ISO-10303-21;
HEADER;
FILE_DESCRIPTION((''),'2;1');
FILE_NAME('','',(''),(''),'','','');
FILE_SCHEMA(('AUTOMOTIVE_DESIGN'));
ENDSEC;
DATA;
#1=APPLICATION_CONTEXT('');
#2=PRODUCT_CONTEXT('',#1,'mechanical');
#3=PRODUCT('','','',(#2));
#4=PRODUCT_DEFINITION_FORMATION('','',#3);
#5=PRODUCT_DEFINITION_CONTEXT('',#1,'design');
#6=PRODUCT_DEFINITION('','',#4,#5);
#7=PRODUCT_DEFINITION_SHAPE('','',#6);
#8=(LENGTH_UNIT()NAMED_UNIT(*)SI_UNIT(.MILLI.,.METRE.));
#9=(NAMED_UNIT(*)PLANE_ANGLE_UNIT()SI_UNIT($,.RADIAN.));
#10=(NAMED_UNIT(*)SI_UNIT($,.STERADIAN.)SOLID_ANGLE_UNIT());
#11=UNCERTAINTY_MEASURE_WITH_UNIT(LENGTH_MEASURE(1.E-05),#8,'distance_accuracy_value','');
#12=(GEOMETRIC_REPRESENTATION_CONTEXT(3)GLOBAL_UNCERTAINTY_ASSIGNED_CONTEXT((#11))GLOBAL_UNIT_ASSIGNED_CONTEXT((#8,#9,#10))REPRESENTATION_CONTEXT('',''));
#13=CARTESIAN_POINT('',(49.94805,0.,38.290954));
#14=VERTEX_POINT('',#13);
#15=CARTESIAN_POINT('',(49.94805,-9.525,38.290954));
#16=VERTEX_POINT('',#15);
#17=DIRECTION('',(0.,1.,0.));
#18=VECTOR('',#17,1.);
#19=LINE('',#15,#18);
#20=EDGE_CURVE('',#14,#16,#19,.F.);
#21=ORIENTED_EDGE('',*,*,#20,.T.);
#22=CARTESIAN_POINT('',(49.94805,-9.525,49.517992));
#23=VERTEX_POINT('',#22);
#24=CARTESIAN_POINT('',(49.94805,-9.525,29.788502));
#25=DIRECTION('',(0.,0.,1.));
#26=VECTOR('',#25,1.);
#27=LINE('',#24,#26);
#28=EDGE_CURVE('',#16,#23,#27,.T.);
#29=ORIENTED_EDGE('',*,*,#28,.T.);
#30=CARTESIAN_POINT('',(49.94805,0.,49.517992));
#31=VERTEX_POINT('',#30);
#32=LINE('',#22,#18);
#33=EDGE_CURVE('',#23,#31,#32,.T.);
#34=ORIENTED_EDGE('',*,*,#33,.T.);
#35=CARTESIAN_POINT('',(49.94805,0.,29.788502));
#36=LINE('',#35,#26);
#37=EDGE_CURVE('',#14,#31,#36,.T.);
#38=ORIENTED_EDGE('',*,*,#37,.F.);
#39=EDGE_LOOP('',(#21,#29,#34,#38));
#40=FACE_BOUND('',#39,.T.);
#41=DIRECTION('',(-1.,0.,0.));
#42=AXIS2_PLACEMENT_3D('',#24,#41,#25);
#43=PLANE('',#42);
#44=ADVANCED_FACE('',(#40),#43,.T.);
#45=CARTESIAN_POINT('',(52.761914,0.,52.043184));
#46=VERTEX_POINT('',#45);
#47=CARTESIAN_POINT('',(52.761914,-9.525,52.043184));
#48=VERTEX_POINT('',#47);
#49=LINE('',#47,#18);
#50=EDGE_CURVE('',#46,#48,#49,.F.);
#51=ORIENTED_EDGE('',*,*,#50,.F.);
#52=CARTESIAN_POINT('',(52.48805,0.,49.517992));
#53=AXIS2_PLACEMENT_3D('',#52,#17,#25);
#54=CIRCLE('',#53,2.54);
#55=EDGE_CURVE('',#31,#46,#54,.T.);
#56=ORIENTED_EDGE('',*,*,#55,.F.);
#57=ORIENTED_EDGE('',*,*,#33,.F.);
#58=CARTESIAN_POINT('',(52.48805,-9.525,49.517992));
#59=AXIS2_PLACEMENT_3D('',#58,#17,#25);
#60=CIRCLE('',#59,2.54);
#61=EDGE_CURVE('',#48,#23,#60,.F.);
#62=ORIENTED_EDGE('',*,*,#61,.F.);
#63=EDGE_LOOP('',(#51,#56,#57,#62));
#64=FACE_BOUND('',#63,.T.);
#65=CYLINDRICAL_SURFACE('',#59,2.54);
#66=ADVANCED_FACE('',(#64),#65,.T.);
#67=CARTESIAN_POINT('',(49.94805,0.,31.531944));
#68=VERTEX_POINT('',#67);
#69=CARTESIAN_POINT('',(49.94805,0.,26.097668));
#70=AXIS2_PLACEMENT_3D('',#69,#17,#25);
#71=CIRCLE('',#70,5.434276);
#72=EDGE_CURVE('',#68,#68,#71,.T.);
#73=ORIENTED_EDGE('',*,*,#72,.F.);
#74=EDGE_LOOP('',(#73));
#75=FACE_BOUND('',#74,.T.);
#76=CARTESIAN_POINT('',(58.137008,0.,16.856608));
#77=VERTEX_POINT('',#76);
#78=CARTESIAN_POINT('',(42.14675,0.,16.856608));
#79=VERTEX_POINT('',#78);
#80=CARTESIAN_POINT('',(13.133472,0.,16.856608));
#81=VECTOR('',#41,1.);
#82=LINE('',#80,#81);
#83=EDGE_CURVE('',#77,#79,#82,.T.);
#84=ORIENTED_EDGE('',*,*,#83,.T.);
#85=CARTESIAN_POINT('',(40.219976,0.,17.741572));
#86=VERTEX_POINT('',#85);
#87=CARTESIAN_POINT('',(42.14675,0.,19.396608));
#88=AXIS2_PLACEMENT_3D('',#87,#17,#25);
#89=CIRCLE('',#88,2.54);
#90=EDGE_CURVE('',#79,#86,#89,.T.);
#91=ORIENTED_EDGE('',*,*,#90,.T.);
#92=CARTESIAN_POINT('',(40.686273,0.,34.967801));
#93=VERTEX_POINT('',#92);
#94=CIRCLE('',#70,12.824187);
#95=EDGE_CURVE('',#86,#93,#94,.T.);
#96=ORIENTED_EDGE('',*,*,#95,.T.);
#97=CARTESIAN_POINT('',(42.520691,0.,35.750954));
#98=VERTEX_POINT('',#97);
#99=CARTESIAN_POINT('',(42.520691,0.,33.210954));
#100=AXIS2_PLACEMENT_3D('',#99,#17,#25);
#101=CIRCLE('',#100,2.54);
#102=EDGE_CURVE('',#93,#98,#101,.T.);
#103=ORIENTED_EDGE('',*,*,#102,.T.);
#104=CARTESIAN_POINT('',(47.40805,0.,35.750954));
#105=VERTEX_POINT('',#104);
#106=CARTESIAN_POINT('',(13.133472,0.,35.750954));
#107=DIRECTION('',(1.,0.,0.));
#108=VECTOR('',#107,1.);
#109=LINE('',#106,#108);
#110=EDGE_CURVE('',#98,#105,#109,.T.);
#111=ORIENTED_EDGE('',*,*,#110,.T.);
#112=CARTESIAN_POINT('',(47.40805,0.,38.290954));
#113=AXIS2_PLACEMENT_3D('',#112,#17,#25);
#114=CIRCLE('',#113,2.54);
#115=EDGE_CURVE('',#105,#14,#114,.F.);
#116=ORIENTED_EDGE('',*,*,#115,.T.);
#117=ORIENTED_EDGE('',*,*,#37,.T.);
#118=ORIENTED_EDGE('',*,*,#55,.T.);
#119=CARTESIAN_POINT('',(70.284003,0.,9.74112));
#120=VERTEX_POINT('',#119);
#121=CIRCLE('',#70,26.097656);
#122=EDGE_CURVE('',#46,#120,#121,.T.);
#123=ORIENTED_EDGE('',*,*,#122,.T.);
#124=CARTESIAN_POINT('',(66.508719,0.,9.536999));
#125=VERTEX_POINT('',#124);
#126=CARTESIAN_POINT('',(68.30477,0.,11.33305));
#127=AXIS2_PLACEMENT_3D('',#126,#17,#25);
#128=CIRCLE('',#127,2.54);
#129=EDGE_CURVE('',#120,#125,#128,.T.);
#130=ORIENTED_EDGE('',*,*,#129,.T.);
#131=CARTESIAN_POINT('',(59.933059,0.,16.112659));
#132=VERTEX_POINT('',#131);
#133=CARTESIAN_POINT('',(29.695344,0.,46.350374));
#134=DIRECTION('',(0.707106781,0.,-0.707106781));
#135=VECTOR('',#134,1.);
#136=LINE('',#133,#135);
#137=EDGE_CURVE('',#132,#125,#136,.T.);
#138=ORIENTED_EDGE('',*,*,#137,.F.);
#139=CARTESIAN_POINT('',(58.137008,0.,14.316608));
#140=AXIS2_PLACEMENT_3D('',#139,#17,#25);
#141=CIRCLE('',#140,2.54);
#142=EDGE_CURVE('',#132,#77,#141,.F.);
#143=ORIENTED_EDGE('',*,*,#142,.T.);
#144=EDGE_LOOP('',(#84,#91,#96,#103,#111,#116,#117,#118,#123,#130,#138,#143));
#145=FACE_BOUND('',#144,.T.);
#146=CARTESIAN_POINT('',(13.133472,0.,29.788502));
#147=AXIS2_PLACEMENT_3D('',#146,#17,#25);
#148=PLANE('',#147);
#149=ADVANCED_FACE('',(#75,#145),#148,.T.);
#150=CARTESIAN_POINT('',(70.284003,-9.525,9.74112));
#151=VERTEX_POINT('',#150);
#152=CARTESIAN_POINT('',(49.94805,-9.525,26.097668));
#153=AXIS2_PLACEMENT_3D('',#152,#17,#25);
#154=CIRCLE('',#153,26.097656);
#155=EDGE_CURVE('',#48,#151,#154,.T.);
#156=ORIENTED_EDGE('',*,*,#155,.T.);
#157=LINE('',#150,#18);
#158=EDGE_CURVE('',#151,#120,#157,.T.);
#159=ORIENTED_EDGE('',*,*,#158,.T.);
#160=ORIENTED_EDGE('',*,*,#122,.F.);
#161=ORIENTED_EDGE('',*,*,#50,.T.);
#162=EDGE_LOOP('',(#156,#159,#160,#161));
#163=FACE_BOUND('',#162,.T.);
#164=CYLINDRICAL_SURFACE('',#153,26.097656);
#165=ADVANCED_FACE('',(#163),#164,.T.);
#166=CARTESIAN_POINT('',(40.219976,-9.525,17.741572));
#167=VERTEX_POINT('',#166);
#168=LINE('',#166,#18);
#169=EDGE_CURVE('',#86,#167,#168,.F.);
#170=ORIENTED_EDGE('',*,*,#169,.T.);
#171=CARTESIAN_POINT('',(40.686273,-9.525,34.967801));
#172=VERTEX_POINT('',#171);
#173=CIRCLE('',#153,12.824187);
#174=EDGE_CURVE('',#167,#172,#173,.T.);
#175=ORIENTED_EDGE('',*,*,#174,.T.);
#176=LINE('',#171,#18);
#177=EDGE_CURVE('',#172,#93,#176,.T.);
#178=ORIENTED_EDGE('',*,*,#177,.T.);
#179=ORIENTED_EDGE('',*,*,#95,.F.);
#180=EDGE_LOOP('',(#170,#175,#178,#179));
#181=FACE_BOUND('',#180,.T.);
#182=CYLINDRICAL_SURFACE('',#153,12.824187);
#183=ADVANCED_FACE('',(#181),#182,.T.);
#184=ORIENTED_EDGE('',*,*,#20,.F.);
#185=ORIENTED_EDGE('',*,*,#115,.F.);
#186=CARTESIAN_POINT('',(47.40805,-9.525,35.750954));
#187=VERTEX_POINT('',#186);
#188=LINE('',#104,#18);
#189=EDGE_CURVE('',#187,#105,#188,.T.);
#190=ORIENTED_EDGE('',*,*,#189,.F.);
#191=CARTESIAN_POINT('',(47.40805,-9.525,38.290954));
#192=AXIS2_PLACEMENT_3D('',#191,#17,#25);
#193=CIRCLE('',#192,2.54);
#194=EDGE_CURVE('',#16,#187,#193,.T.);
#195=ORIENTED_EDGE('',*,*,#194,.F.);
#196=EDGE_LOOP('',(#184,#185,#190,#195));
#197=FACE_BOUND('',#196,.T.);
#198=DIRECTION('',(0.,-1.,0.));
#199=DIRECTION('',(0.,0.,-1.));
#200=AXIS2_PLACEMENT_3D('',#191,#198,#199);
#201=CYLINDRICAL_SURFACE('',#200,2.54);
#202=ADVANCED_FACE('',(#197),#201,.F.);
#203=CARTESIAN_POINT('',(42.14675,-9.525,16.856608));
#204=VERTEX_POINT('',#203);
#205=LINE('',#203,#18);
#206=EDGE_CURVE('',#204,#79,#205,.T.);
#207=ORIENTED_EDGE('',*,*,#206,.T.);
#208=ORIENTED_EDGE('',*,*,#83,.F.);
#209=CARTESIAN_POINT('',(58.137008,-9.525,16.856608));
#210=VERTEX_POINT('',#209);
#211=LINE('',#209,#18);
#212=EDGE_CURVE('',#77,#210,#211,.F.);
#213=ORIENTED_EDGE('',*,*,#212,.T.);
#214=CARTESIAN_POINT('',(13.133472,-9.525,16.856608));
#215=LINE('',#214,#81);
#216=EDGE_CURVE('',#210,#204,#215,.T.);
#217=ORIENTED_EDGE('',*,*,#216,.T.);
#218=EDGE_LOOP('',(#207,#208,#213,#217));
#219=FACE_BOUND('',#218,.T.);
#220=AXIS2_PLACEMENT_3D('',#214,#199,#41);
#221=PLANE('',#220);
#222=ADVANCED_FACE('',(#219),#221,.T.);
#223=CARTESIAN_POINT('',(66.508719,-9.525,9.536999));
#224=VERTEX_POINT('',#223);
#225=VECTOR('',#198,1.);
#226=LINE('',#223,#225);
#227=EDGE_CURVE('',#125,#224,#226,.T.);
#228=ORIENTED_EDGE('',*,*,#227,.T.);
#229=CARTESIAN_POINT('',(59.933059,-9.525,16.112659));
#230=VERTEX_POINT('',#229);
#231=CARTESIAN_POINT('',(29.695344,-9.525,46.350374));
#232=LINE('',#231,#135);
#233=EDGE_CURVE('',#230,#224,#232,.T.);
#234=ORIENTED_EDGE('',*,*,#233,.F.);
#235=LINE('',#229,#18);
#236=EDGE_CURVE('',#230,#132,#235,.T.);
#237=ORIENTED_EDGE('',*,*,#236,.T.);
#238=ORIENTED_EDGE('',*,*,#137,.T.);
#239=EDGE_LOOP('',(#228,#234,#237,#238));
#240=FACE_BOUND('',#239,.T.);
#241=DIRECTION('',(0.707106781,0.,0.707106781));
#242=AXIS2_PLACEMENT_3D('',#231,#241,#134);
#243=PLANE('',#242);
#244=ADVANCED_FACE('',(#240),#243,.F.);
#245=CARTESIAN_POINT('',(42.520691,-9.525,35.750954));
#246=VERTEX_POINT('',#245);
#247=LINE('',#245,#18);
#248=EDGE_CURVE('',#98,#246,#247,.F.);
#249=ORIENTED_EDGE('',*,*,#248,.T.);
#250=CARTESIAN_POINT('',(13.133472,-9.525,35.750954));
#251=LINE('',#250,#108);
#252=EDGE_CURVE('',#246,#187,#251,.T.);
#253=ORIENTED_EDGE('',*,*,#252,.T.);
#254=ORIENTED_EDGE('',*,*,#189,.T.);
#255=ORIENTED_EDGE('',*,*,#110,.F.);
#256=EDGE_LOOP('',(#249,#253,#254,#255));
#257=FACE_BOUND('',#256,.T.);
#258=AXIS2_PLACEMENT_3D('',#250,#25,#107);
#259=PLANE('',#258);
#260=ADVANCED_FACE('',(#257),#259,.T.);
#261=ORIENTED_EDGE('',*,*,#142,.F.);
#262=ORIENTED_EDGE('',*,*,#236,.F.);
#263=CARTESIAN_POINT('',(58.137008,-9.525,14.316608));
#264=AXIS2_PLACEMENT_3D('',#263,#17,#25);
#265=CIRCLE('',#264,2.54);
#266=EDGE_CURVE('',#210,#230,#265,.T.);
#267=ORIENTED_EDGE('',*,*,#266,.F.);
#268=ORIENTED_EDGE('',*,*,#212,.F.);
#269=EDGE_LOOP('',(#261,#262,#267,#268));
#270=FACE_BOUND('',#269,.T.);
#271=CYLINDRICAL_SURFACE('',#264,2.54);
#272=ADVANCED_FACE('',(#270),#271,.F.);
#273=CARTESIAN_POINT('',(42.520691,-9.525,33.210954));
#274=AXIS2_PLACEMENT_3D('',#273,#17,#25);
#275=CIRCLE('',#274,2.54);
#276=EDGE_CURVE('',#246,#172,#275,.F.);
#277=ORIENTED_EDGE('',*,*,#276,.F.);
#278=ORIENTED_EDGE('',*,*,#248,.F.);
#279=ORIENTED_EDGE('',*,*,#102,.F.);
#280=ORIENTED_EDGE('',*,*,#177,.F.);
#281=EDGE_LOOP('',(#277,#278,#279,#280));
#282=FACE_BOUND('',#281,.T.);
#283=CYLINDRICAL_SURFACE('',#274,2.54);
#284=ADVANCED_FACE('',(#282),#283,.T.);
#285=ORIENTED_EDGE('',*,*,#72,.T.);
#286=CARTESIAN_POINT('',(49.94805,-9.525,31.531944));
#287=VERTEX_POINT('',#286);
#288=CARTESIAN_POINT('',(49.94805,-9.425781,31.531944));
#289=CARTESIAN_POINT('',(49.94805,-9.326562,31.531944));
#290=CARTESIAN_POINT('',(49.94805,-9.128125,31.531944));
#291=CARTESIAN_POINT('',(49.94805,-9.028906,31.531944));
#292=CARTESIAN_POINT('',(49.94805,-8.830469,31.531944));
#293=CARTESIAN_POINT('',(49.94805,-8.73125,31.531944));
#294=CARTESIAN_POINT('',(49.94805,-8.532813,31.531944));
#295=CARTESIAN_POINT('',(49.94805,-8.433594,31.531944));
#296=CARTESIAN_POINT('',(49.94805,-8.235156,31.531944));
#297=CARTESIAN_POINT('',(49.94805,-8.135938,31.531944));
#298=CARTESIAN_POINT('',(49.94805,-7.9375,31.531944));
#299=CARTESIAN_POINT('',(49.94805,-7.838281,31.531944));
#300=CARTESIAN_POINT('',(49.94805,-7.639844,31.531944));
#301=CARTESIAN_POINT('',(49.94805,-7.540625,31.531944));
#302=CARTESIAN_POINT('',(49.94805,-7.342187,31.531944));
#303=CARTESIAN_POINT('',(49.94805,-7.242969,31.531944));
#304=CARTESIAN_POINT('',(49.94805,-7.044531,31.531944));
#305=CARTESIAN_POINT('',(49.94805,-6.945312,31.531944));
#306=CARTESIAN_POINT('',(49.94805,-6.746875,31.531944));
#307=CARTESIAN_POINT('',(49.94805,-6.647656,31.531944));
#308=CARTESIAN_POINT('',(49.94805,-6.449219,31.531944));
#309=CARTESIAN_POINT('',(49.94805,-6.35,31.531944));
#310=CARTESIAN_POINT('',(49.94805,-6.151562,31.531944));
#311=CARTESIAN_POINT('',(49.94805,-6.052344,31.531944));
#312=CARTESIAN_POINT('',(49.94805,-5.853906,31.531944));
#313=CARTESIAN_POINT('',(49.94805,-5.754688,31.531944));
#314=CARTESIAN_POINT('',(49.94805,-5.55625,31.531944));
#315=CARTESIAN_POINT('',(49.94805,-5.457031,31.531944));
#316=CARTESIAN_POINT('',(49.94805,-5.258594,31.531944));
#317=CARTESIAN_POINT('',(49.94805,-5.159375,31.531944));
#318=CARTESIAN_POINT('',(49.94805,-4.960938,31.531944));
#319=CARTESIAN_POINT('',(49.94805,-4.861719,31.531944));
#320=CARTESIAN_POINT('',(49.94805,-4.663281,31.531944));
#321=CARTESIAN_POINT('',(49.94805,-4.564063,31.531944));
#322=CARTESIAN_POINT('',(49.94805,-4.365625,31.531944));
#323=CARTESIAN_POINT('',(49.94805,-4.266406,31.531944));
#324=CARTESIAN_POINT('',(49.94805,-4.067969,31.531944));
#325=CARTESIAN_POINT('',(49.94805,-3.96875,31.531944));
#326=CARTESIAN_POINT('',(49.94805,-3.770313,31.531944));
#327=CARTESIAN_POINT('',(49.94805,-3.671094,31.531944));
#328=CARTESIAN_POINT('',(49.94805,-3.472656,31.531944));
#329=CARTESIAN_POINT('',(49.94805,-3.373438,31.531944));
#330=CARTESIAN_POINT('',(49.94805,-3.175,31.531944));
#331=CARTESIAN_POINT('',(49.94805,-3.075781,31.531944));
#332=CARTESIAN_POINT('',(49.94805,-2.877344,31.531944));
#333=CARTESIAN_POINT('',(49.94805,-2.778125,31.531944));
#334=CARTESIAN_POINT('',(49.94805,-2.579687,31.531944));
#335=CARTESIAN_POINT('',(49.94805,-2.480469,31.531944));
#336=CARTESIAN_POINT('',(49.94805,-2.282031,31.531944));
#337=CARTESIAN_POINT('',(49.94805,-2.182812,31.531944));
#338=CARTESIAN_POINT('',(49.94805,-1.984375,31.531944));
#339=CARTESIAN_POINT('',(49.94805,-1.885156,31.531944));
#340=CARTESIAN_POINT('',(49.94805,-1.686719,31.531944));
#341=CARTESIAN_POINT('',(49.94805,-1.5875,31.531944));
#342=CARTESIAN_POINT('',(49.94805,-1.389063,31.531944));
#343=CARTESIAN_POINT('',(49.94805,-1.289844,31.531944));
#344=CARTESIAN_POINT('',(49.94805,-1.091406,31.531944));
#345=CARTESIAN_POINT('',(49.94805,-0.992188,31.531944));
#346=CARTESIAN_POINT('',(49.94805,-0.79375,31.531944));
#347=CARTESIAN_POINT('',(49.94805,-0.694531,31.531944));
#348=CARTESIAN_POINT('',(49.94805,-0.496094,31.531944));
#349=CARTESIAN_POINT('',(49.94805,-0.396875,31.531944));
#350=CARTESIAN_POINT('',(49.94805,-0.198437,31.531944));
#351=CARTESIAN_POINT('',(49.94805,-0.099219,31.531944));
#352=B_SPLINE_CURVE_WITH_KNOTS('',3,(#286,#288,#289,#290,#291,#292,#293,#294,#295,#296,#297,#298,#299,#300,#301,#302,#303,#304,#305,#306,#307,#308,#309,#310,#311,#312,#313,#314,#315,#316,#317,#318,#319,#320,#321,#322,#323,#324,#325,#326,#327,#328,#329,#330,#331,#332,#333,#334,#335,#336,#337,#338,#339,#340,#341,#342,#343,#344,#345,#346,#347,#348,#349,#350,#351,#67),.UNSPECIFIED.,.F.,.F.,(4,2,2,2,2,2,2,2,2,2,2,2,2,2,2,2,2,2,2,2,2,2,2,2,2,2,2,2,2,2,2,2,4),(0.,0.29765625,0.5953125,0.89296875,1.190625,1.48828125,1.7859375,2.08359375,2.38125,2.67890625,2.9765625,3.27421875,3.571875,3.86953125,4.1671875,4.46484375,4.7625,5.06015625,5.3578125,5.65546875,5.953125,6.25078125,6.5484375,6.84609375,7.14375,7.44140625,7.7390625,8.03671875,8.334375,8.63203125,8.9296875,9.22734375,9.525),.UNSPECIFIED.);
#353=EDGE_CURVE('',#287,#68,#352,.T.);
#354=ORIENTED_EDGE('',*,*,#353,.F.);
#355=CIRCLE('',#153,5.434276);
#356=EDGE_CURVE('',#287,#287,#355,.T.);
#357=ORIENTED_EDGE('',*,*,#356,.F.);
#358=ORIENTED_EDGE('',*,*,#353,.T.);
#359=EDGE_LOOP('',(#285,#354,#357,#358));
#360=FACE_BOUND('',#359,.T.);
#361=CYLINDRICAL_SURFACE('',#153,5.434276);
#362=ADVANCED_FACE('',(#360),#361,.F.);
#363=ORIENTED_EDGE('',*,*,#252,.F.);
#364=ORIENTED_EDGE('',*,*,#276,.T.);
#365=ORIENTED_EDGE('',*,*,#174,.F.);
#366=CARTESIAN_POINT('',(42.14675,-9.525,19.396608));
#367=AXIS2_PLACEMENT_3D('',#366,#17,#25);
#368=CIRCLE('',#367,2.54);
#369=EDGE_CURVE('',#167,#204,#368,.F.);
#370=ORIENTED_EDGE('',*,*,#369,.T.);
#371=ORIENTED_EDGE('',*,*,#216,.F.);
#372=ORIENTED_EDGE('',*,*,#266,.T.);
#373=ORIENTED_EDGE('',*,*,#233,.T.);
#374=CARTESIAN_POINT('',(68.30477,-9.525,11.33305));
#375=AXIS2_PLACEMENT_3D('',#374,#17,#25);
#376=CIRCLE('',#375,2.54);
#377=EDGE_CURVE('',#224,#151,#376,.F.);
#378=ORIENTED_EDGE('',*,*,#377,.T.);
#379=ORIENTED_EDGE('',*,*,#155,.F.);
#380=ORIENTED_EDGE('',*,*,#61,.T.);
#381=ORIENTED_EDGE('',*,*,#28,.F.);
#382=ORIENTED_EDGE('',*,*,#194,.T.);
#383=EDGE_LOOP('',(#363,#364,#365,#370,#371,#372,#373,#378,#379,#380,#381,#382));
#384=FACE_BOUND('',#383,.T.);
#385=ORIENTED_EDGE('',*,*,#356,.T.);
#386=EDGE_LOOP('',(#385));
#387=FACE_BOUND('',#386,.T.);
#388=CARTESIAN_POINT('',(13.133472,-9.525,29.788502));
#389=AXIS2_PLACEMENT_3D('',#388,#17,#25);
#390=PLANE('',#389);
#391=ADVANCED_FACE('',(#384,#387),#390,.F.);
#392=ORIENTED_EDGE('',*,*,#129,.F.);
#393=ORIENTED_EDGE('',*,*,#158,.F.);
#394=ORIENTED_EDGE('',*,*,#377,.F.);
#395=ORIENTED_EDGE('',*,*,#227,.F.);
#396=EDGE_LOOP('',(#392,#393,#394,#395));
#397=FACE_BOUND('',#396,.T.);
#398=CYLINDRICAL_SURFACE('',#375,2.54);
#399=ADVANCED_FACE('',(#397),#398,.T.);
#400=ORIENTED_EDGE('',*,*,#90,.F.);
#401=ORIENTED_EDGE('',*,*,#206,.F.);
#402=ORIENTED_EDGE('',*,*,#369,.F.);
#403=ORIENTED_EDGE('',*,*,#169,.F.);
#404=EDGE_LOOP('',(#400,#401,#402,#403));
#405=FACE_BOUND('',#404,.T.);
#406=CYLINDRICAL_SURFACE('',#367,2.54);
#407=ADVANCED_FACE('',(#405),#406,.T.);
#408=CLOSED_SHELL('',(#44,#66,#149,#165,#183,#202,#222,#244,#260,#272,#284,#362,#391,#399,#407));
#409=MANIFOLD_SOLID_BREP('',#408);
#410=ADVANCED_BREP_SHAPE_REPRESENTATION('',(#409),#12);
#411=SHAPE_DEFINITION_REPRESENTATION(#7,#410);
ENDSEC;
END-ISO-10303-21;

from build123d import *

# Parameters (mm, degrees)
SKETCH11_R     = 5.434276133
EXTRUDE5_DEPTH = 9.525
FILLET2_R      = 2.54
FILLET1_R      = 2.54
FILLET3_R      = 2.54


with BuildPart() as part:
    # Sketch11 → Extrude5 (new body)
    # profile 1 of 4: a face of its own
    with BuildSketch(Plane(origin=(0, 0, 0), x_dir=(1, 0, 0), z_dir=(0, 1, 0))):
        with BuildLine():
            Line((68.401879092, -7.643838899), (59.189110378, -16.856607613))
            Line((59.189110378, -16.856607613), (41.505666101, -16.856607613))
            ThreePointArc((41.505666101, -16.856607613), (41.271917597, -16.860911304), (41.038485938, -16.873816546))
            ThreePointArc((41.038485938, -16.873816546), (37.127788442, -26.414950032), (41.505666101, -35.750954012))
            Line((41.505666101, -35.750954012), (49.948049738, -35.750954012))
            Line((49.948049738, -35.750954012), (49.948049738, -52.195324003))
            ThreePointArc((49.948049738, -52.195324003), (68.401879092, -44.551497607), (76.045705488, -26.097668253))
            ThreePointArc((76.045705488, -26.097668253), (74.059139732, -16.110527774), (68.401879092, -7.643838899))
        make_face()
        with Locations(Location((49.948049738, -26.097668253, 0), (0, 0, 270))):
            Circle(SKETCH11_R, mode=Mode.SUBTRACT)
    # profile 2 of 4: a face of its own
    with BuildSketch(Plane(origin=(0, 0, 0), x_dir=(1, 0, 0), z_dir=(0, 1, 0))):
        with BuildLine():
            Line((68.401879092, -7.643838899), (59.189110378, -16.856607613))
            Line((59.189110378, -16.856607613), (41.505666101, -16.856607613))
            ThreePointArc((41.505666101, -16.856607613), (41.271917597, -16.860911304), (41.038485938, -16.873816546))
            ThreePointArc((41.038485938, -16.873816546), (37.127788442, -26.414950032), (41.505666101, -35.750954012))
            Line((41.505666101, -35.750954012), (49.948049738, -35.750954012))
            Line((49.948049738, -35.750954012), (49.948049738, -52.195324003))
            ThreePointArc((49.948049738, -52.195324003), (68.401879092, -44.551497607), (76.045705488, -26.097668253))
            ThreePointArc((76.045705488, -26.097668253), (74.059139732, -16.110527774), (68.401879092, -7.643838899))
        make_face()
        with Locations(Location((49.948049738, -26.097668253, 0), (0, 0, 270))):
            Circle(SKETCH11_R, mode=Mode.SUBTRACT)
    # profile 3 of 4: a face of its own
    with BuildSketch(Plane(origin=(0, 0, 0), x_dir=(1, 0, 0), z_dir=(0, 1, 0))):
        with BuildLine():
            Line((68.401879092, -7.643838899), (59.189110378, -16.856607613))
            Line((59.189110378, -16.856607613), (41.505666101, -16.856607613))
            ThreePointArc((41.505666101, -16.856607613), (41.271917597, -16.860911304), (41.038485938, -16.873816546))
            ThreePointArc((41.038485938, -16.873816546), (37.127788442, -26.414950032), (41.505666101, -35.750954012))
            Line((41.505666101, -35.750954012), (49.948049738, -35.750954012))
            Line((49.948049738, -35.750954012), (49.948049738, -52.195324003))
            ThreePointArc((49.948049738, -52.195324003), (68.401879092, -44.551497607), (76.045705488, -26.097668253))
            ThreePointArc((76.045705488, -26.097668253), (74.059139732, -16.110527774), (68.401879092, -7.643838899))
        make_face()
        with Locations(Location((49.948049738, -26.097668253, 0), (0, 0, 270))):
            Circle(SKETCH11_R, mode=Mode.SUBTRACT)
    # profile 4 of 4: a face of its own
    with BuildSketch(Plane(origin=(0, 0, 0), x_dir=(1, 0, 0), z_dir=(0, 1, 0))):
        with BuildLine():
            Line((68.401879092, -7.643838899), (59.189110378, -16.856607613))
            Line((59.189110378, -16.856607613), (41.505666101, -16.856607613))
            ThreePointArc((41.505666101, -16.856607613), (41.271917597, -16.860911304), (41.038485938, -16.873816546))
            ThreePointArc((41.038485938, -16.873816546), (37.127788442, -26.414950032), (41.505666101, -35.750954012))
            Line((41.505666101, -35.750954012), (49.948049738, -35.750954012))
            Line((49.948049738, -35.750954012), (49.948049738, -52.195324003))
            ThreePointArc((49.948049738, -52.195324003), (68.401879092, -44.551497607), (76.045705488, -26.097668253))
            ThreePointArc((76.045705488, -26.097668253), (74.059139732, -16.110527774), (68.401879092, -7.643838899))
        make_face()
        with Locations(Location((49.948049738, -26.097668253, 0), (0, 0, 270))):
            Circle(SKETCH11_R, mode=Mode.SUBTRACT)
    extrude(amount=-EXTRUDE5_DEPTH)

    # Fillet2
    fillet2_edges = [part.edges().sort_by_distance(p)[0] for p in [
        (59.189110378, -4.7625, 16.856607613),
        (49.948049738, -4.7625, 35.750954012),
    ]]
    fillet(fillet2_edges, radius=FILLET2_R)

    # Fillet1
    fillet1_edges = [part.edges().sort_by_distance(p)[0] for p in [
        (68.401879092, -4.7625, 7.643838899),
        (49.948049738, -4.7625, 52.195324003),
    ]]
    fillet(fillet1_edges, radius=FILLET1_R)

    # Fillet3
    fillet3_edges = [part.edges().sort_by_distance(p)[0] for p in [
        (41.038485938, -4.7625, 16.873816546),
        (41.505666101, -4.7625, 35.750954012),
    ]]
    fillet(fillet3_edges, radius=FILLET3_R)


solid = part.part
